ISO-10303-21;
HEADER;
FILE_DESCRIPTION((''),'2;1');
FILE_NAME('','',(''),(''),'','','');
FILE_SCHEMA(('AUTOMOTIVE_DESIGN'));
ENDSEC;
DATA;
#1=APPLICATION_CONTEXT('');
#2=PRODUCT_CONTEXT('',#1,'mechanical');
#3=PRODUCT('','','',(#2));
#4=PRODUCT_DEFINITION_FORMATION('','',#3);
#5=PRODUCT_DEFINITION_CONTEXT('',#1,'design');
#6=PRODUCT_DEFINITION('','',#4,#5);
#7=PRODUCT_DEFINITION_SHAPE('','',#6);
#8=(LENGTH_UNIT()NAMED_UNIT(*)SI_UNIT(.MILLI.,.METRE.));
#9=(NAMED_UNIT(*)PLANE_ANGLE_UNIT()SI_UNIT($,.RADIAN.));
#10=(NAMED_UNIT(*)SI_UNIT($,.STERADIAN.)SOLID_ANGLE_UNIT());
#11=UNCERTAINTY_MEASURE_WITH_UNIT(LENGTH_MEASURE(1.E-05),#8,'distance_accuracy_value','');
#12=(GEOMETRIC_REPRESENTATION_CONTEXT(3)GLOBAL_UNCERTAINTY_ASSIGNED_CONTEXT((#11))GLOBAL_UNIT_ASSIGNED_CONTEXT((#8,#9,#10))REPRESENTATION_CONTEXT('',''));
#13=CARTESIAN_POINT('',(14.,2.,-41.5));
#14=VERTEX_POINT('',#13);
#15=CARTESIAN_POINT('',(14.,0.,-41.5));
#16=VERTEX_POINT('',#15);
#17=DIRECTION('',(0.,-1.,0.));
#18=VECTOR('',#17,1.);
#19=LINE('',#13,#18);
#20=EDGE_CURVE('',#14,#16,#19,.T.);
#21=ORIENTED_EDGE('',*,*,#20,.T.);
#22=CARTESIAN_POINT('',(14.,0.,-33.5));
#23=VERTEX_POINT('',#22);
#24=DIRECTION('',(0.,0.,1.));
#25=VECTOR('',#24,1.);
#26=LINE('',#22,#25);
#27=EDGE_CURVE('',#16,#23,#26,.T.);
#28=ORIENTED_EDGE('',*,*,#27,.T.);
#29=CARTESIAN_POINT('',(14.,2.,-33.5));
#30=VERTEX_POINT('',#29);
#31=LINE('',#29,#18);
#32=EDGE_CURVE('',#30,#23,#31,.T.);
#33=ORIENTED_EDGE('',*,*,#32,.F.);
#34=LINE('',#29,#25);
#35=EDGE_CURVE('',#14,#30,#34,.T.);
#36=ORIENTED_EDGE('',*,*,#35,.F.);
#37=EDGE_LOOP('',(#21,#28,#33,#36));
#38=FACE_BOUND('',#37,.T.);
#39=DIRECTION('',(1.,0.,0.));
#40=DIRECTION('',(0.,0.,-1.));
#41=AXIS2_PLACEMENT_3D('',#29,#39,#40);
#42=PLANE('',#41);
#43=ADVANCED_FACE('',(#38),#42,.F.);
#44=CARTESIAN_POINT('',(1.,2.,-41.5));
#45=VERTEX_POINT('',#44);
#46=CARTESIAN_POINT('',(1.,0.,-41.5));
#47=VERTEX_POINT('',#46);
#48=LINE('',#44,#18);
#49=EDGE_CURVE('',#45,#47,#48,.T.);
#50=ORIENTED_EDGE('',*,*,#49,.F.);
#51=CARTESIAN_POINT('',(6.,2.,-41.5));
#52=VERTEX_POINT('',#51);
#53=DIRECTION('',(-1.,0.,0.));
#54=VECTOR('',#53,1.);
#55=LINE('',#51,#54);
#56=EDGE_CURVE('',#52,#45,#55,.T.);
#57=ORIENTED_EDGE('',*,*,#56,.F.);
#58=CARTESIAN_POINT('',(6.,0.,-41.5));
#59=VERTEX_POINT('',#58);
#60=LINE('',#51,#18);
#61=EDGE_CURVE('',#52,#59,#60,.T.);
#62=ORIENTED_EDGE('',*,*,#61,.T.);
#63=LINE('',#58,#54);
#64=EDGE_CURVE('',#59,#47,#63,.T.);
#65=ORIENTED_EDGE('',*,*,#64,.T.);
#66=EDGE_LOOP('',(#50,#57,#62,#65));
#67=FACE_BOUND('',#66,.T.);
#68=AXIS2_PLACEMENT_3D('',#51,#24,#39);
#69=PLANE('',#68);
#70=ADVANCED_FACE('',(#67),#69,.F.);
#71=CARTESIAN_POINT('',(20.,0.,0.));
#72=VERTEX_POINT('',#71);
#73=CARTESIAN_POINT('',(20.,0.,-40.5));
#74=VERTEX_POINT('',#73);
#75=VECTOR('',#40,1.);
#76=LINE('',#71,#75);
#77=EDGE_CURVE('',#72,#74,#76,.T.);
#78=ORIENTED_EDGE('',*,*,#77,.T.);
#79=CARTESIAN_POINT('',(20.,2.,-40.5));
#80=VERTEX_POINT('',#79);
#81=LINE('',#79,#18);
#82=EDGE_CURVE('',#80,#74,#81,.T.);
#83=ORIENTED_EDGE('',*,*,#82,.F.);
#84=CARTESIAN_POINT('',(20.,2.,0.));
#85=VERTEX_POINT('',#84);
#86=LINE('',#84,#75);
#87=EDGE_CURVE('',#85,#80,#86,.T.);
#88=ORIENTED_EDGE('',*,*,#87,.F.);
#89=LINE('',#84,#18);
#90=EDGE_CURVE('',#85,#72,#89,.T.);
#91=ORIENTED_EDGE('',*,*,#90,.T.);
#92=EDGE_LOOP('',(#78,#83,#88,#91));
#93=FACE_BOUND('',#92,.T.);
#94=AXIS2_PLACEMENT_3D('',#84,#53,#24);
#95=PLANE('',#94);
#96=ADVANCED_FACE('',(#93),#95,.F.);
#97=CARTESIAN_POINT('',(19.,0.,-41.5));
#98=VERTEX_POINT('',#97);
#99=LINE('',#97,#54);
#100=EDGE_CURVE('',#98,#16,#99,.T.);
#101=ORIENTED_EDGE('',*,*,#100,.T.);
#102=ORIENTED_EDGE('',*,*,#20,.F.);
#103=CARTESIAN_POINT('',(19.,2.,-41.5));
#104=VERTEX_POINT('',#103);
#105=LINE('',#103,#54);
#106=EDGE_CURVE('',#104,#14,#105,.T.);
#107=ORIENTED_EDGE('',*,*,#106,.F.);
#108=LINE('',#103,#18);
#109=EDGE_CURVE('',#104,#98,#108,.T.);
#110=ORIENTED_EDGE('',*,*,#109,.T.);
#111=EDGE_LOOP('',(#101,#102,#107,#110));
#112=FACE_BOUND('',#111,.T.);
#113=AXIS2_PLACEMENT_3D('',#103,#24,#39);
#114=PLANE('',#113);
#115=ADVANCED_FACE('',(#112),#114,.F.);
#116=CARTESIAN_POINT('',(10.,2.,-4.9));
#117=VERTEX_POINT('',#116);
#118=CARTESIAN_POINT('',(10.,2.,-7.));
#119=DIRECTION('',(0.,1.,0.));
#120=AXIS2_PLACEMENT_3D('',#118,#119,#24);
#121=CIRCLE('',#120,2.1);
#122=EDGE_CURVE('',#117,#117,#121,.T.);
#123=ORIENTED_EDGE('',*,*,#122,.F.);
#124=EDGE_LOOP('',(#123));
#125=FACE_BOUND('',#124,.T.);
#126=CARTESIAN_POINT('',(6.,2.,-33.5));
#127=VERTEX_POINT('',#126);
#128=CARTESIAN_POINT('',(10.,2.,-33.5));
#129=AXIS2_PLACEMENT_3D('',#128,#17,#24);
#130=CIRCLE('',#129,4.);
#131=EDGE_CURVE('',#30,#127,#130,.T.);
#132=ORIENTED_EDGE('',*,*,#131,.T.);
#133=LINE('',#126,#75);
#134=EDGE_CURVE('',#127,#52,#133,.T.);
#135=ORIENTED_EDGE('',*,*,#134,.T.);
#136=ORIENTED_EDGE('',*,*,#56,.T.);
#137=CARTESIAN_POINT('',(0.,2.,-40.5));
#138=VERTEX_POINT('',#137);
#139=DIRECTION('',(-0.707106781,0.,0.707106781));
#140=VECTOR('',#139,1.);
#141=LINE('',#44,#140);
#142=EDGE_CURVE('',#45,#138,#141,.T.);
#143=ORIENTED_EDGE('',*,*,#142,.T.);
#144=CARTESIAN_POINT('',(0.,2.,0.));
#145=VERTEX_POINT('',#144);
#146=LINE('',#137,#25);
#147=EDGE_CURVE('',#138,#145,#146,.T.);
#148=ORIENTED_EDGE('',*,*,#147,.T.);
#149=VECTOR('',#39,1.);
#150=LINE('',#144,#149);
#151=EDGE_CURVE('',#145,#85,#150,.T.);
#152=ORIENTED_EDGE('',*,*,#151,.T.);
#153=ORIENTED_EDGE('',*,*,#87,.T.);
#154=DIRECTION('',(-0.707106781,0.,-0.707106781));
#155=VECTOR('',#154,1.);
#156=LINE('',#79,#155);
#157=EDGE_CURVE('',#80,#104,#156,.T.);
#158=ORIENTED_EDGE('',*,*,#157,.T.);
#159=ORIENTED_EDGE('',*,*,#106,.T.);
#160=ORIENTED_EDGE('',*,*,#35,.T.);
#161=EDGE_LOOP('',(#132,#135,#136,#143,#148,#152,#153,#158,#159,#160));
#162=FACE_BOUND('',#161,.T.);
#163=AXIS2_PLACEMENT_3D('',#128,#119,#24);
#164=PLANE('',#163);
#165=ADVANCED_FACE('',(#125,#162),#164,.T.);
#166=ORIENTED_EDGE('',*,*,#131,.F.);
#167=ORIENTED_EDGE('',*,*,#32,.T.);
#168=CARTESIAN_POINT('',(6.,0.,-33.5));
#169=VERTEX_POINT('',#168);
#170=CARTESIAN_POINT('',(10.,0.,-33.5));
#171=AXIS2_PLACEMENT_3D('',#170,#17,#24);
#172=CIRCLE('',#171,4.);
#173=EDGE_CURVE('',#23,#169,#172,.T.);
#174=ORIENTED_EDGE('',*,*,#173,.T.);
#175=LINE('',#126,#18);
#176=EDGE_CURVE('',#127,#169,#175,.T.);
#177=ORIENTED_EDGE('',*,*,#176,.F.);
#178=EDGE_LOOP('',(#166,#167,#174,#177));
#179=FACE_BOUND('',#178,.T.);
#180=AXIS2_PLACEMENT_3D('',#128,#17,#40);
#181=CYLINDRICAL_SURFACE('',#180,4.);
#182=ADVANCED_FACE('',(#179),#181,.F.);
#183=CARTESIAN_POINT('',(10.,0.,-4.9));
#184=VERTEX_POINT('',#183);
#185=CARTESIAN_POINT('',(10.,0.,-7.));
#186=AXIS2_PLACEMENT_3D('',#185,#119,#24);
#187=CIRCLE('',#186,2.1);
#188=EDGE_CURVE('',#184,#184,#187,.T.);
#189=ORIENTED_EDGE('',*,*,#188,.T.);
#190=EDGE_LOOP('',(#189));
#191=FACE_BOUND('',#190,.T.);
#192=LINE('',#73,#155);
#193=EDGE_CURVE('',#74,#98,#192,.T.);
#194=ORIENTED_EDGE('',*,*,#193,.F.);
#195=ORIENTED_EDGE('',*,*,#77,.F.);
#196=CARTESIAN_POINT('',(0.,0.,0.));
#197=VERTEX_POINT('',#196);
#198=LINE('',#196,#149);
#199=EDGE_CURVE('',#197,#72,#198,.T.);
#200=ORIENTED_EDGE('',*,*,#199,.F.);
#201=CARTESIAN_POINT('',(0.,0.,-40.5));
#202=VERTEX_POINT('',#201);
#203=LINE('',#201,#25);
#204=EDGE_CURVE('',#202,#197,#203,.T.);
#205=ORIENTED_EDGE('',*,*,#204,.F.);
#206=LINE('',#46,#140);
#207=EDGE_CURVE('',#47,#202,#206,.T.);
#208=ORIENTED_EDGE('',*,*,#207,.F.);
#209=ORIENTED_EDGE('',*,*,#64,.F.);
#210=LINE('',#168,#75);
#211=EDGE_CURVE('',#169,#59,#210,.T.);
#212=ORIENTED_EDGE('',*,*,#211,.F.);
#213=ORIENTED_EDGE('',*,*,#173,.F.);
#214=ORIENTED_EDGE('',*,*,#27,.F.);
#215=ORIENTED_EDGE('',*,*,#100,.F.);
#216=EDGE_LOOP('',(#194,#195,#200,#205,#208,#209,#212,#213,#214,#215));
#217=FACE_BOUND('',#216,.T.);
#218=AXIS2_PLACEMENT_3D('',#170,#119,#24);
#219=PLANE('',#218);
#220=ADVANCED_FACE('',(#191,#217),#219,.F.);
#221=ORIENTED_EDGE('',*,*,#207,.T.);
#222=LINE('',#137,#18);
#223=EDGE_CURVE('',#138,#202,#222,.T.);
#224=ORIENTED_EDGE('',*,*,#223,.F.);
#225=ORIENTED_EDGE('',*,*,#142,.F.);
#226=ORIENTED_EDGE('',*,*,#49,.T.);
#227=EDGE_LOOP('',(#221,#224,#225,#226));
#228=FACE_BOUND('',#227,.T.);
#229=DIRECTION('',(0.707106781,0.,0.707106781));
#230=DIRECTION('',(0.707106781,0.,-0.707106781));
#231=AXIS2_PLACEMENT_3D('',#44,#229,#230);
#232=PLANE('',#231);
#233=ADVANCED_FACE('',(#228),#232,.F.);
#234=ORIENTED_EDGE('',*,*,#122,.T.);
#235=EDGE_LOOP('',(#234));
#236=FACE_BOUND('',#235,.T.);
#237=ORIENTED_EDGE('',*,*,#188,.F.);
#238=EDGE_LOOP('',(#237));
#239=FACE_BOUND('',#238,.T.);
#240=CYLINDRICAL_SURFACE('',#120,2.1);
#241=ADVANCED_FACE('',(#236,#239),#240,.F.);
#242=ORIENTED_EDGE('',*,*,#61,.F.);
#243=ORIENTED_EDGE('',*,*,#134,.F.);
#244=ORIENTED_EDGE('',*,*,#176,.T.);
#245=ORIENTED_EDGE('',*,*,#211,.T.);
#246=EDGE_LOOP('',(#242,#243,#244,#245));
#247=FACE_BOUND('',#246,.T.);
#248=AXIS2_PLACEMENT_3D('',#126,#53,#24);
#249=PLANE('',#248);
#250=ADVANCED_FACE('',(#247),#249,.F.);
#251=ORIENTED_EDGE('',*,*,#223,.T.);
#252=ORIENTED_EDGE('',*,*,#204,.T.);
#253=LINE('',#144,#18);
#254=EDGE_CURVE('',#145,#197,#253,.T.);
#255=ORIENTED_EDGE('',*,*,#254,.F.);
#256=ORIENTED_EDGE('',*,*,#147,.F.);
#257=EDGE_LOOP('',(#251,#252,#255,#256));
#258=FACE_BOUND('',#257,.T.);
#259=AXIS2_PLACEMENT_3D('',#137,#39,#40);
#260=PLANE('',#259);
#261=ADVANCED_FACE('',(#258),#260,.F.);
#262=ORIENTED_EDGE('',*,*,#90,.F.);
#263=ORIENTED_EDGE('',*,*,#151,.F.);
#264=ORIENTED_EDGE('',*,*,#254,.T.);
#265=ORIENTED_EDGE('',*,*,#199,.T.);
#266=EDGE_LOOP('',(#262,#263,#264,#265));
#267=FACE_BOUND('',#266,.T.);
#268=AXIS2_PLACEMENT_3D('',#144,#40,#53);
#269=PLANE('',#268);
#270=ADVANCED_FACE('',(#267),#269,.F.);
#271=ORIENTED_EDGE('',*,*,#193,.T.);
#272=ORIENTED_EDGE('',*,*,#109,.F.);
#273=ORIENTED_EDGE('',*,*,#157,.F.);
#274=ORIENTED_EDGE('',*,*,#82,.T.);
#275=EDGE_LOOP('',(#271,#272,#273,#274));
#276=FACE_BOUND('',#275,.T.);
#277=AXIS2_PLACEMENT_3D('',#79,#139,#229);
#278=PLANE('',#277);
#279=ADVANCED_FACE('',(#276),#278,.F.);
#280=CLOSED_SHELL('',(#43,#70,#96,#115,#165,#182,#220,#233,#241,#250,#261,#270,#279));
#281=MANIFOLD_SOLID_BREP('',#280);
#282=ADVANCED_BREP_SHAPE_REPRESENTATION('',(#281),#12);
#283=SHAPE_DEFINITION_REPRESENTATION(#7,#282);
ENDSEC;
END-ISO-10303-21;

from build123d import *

# Parameters (mm, degrees)
SKETCH_1_R            = 1
EXTRUDE_1_DEPTH       = 2
HOLE_WIZARD_M51_D     = 4.2
HOLE_WIZARD_M51_DEPTH = 14
HOLE_WIZARD_M51_TIP   = 1.2618073


with BuildPart() as part:
    # Эскиз1 → Бобышка-Вытянуть1 (new body)
    with BuildSketch(Plane(origin=(0, 0, 0), x_dir=(1, 0, 0), z_dir=(0, 1, 0))):
        with BuildLine():
            Line((0, 0), (20, 0))
            Line((20, 0), (20, 40.5))
            Line((20, 40.5), (19, 41.5))
            Line((19, 41.5), (14, 41.5))
            Line((14, 41.5), (14, 33.5))
            ThreePointArc((14, 33.5), (10, 29.5), (6, 33.5))
            Line((6, 33.5), (6, 41.5))
            Line((6, 41.5), (1, 41.5))
            Line((1, 41.5), (0, 40.5))
            Line((0, 40.5), (0, 0))
        make_face()
        with Locations(Location((10, 7, 0), (0, 0, 270))):
            Circle(SKETCH_1_R, mode=Mode.SUBTRACT)
    extrude(amount=EXTRUDE_1_DEPTH)

    # Отверстие обработанное метчиком M51
    with Locations(Plane(origin=(0, 2, 0), x_dir=(1, 0, 0), z_dir=(0, 1, 0))):
        with Locations((10, 7)):
            Hole(HOLE_WIZARD_M51_D / 2, depth=HOLE_WIZARD_M51_DEPTH)
            with Locations((0, 0, -(HOLE_WIZARD_M51_DEPTH + HOLE_WIZARD_M51_TIP / 2))):  # 118° drill point
                Cone(0, HOLE_WIZARD_M51_D / 2, HOLE_WIZARD_M51_TIP, mode=Mode.SUBTRACT)


solid = part.part
